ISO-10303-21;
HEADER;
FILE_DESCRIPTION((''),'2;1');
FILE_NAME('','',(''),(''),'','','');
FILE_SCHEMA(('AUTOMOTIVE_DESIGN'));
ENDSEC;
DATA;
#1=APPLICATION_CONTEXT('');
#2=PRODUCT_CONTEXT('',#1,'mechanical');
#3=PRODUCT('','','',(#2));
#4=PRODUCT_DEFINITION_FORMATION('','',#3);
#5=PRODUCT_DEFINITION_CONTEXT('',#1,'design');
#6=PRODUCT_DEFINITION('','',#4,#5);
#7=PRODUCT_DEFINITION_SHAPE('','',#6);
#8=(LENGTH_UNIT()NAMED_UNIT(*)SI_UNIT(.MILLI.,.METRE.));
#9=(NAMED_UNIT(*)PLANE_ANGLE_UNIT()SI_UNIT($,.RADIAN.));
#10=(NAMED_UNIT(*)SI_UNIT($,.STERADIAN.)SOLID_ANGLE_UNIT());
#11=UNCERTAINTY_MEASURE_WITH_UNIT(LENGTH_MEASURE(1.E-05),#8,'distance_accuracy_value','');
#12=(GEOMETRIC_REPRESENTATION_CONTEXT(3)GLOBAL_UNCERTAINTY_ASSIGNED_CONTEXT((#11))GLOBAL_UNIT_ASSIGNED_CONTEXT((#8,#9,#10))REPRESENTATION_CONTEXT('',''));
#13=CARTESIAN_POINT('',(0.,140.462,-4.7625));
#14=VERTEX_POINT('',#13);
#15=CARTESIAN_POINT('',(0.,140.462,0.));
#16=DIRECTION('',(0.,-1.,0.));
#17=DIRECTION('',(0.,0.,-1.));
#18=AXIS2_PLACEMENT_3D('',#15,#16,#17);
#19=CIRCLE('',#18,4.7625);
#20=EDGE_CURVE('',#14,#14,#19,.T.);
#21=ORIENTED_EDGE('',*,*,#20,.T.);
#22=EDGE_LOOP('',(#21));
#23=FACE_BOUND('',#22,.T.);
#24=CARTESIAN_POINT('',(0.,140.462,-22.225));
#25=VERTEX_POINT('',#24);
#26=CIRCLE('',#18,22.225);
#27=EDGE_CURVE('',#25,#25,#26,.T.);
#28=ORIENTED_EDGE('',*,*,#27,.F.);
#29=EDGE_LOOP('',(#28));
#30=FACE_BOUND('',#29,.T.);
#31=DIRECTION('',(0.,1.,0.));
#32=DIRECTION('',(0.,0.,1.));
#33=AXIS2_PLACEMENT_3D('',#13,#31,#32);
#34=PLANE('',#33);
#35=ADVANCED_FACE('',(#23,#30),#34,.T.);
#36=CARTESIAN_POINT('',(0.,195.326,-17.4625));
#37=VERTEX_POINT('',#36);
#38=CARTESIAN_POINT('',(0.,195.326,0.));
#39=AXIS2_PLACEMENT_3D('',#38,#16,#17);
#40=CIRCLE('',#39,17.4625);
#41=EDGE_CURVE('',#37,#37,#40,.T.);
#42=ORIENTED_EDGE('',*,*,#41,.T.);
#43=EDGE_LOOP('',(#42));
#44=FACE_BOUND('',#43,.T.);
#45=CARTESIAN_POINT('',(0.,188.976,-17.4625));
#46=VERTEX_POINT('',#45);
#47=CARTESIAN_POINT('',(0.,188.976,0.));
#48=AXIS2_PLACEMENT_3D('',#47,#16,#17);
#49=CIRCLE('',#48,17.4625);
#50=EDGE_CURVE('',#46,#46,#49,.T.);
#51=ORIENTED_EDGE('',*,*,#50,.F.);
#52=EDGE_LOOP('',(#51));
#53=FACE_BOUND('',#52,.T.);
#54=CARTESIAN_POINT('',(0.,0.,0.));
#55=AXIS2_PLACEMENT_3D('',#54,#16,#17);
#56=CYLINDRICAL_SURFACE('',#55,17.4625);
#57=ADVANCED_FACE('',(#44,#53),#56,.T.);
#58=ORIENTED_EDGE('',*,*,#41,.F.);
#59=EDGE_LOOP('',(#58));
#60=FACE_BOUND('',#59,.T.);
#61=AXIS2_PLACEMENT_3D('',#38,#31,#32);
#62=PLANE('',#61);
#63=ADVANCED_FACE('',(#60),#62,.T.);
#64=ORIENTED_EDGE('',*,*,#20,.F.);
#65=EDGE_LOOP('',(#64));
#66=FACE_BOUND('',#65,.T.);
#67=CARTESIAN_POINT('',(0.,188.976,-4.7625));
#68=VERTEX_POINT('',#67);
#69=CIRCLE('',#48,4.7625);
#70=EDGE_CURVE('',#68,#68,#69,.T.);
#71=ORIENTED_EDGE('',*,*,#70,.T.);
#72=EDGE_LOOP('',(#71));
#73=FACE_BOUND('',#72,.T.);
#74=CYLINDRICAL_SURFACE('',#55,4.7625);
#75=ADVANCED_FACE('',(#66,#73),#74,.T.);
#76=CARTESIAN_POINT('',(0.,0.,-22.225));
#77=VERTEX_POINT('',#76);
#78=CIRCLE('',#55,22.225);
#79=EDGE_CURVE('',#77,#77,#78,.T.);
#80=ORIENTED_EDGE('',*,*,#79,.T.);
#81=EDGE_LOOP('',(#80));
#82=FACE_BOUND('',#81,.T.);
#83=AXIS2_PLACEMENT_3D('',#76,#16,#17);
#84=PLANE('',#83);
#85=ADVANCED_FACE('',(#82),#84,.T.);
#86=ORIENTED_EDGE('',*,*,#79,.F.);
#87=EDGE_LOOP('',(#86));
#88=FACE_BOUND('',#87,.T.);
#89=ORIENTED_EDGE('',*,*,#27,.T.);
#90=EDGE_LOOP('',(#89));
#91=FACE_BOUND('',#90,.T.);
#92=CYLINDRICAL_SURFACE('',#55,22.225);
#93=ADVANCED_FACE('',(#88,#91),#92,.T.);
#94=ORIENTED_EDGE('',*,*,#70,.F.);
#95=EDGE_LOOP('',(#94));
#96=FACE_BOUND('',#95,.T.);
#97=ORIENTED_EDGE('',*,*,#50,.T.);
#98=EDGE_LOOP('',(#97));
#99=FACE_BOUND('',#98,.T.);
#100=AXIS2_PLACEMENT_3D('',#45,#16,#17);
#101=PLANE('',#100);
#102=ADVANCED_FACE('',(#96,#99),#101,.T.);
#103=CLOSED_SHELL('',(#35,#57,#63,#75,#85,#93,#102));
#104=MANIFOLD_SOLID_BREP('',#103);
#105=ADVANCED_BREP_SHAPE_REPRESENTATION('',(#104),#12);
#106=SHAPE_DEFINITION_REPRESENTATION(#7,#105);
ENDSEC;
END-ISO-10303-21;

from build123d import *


with BuildPart() as part:
    # Sketch1 → Revolve1 (revolve)
    with BuildSketch(Plane(origin=(0, 0, 0), x_dir=(0, 0, -1), z_dir=(1, 0, 0))):
        Polygon((0, 195.326), (17.4625, 195.326), (17.4625, 188.976), (4.7625, 188.976), (4.7625, 140.462), (22.225, 140.462), (22.225, 0), (0, 0), align=None)
    revolve(axis=Axis((0, 0, 0), (0, 1, 0)))


solid = part.part
